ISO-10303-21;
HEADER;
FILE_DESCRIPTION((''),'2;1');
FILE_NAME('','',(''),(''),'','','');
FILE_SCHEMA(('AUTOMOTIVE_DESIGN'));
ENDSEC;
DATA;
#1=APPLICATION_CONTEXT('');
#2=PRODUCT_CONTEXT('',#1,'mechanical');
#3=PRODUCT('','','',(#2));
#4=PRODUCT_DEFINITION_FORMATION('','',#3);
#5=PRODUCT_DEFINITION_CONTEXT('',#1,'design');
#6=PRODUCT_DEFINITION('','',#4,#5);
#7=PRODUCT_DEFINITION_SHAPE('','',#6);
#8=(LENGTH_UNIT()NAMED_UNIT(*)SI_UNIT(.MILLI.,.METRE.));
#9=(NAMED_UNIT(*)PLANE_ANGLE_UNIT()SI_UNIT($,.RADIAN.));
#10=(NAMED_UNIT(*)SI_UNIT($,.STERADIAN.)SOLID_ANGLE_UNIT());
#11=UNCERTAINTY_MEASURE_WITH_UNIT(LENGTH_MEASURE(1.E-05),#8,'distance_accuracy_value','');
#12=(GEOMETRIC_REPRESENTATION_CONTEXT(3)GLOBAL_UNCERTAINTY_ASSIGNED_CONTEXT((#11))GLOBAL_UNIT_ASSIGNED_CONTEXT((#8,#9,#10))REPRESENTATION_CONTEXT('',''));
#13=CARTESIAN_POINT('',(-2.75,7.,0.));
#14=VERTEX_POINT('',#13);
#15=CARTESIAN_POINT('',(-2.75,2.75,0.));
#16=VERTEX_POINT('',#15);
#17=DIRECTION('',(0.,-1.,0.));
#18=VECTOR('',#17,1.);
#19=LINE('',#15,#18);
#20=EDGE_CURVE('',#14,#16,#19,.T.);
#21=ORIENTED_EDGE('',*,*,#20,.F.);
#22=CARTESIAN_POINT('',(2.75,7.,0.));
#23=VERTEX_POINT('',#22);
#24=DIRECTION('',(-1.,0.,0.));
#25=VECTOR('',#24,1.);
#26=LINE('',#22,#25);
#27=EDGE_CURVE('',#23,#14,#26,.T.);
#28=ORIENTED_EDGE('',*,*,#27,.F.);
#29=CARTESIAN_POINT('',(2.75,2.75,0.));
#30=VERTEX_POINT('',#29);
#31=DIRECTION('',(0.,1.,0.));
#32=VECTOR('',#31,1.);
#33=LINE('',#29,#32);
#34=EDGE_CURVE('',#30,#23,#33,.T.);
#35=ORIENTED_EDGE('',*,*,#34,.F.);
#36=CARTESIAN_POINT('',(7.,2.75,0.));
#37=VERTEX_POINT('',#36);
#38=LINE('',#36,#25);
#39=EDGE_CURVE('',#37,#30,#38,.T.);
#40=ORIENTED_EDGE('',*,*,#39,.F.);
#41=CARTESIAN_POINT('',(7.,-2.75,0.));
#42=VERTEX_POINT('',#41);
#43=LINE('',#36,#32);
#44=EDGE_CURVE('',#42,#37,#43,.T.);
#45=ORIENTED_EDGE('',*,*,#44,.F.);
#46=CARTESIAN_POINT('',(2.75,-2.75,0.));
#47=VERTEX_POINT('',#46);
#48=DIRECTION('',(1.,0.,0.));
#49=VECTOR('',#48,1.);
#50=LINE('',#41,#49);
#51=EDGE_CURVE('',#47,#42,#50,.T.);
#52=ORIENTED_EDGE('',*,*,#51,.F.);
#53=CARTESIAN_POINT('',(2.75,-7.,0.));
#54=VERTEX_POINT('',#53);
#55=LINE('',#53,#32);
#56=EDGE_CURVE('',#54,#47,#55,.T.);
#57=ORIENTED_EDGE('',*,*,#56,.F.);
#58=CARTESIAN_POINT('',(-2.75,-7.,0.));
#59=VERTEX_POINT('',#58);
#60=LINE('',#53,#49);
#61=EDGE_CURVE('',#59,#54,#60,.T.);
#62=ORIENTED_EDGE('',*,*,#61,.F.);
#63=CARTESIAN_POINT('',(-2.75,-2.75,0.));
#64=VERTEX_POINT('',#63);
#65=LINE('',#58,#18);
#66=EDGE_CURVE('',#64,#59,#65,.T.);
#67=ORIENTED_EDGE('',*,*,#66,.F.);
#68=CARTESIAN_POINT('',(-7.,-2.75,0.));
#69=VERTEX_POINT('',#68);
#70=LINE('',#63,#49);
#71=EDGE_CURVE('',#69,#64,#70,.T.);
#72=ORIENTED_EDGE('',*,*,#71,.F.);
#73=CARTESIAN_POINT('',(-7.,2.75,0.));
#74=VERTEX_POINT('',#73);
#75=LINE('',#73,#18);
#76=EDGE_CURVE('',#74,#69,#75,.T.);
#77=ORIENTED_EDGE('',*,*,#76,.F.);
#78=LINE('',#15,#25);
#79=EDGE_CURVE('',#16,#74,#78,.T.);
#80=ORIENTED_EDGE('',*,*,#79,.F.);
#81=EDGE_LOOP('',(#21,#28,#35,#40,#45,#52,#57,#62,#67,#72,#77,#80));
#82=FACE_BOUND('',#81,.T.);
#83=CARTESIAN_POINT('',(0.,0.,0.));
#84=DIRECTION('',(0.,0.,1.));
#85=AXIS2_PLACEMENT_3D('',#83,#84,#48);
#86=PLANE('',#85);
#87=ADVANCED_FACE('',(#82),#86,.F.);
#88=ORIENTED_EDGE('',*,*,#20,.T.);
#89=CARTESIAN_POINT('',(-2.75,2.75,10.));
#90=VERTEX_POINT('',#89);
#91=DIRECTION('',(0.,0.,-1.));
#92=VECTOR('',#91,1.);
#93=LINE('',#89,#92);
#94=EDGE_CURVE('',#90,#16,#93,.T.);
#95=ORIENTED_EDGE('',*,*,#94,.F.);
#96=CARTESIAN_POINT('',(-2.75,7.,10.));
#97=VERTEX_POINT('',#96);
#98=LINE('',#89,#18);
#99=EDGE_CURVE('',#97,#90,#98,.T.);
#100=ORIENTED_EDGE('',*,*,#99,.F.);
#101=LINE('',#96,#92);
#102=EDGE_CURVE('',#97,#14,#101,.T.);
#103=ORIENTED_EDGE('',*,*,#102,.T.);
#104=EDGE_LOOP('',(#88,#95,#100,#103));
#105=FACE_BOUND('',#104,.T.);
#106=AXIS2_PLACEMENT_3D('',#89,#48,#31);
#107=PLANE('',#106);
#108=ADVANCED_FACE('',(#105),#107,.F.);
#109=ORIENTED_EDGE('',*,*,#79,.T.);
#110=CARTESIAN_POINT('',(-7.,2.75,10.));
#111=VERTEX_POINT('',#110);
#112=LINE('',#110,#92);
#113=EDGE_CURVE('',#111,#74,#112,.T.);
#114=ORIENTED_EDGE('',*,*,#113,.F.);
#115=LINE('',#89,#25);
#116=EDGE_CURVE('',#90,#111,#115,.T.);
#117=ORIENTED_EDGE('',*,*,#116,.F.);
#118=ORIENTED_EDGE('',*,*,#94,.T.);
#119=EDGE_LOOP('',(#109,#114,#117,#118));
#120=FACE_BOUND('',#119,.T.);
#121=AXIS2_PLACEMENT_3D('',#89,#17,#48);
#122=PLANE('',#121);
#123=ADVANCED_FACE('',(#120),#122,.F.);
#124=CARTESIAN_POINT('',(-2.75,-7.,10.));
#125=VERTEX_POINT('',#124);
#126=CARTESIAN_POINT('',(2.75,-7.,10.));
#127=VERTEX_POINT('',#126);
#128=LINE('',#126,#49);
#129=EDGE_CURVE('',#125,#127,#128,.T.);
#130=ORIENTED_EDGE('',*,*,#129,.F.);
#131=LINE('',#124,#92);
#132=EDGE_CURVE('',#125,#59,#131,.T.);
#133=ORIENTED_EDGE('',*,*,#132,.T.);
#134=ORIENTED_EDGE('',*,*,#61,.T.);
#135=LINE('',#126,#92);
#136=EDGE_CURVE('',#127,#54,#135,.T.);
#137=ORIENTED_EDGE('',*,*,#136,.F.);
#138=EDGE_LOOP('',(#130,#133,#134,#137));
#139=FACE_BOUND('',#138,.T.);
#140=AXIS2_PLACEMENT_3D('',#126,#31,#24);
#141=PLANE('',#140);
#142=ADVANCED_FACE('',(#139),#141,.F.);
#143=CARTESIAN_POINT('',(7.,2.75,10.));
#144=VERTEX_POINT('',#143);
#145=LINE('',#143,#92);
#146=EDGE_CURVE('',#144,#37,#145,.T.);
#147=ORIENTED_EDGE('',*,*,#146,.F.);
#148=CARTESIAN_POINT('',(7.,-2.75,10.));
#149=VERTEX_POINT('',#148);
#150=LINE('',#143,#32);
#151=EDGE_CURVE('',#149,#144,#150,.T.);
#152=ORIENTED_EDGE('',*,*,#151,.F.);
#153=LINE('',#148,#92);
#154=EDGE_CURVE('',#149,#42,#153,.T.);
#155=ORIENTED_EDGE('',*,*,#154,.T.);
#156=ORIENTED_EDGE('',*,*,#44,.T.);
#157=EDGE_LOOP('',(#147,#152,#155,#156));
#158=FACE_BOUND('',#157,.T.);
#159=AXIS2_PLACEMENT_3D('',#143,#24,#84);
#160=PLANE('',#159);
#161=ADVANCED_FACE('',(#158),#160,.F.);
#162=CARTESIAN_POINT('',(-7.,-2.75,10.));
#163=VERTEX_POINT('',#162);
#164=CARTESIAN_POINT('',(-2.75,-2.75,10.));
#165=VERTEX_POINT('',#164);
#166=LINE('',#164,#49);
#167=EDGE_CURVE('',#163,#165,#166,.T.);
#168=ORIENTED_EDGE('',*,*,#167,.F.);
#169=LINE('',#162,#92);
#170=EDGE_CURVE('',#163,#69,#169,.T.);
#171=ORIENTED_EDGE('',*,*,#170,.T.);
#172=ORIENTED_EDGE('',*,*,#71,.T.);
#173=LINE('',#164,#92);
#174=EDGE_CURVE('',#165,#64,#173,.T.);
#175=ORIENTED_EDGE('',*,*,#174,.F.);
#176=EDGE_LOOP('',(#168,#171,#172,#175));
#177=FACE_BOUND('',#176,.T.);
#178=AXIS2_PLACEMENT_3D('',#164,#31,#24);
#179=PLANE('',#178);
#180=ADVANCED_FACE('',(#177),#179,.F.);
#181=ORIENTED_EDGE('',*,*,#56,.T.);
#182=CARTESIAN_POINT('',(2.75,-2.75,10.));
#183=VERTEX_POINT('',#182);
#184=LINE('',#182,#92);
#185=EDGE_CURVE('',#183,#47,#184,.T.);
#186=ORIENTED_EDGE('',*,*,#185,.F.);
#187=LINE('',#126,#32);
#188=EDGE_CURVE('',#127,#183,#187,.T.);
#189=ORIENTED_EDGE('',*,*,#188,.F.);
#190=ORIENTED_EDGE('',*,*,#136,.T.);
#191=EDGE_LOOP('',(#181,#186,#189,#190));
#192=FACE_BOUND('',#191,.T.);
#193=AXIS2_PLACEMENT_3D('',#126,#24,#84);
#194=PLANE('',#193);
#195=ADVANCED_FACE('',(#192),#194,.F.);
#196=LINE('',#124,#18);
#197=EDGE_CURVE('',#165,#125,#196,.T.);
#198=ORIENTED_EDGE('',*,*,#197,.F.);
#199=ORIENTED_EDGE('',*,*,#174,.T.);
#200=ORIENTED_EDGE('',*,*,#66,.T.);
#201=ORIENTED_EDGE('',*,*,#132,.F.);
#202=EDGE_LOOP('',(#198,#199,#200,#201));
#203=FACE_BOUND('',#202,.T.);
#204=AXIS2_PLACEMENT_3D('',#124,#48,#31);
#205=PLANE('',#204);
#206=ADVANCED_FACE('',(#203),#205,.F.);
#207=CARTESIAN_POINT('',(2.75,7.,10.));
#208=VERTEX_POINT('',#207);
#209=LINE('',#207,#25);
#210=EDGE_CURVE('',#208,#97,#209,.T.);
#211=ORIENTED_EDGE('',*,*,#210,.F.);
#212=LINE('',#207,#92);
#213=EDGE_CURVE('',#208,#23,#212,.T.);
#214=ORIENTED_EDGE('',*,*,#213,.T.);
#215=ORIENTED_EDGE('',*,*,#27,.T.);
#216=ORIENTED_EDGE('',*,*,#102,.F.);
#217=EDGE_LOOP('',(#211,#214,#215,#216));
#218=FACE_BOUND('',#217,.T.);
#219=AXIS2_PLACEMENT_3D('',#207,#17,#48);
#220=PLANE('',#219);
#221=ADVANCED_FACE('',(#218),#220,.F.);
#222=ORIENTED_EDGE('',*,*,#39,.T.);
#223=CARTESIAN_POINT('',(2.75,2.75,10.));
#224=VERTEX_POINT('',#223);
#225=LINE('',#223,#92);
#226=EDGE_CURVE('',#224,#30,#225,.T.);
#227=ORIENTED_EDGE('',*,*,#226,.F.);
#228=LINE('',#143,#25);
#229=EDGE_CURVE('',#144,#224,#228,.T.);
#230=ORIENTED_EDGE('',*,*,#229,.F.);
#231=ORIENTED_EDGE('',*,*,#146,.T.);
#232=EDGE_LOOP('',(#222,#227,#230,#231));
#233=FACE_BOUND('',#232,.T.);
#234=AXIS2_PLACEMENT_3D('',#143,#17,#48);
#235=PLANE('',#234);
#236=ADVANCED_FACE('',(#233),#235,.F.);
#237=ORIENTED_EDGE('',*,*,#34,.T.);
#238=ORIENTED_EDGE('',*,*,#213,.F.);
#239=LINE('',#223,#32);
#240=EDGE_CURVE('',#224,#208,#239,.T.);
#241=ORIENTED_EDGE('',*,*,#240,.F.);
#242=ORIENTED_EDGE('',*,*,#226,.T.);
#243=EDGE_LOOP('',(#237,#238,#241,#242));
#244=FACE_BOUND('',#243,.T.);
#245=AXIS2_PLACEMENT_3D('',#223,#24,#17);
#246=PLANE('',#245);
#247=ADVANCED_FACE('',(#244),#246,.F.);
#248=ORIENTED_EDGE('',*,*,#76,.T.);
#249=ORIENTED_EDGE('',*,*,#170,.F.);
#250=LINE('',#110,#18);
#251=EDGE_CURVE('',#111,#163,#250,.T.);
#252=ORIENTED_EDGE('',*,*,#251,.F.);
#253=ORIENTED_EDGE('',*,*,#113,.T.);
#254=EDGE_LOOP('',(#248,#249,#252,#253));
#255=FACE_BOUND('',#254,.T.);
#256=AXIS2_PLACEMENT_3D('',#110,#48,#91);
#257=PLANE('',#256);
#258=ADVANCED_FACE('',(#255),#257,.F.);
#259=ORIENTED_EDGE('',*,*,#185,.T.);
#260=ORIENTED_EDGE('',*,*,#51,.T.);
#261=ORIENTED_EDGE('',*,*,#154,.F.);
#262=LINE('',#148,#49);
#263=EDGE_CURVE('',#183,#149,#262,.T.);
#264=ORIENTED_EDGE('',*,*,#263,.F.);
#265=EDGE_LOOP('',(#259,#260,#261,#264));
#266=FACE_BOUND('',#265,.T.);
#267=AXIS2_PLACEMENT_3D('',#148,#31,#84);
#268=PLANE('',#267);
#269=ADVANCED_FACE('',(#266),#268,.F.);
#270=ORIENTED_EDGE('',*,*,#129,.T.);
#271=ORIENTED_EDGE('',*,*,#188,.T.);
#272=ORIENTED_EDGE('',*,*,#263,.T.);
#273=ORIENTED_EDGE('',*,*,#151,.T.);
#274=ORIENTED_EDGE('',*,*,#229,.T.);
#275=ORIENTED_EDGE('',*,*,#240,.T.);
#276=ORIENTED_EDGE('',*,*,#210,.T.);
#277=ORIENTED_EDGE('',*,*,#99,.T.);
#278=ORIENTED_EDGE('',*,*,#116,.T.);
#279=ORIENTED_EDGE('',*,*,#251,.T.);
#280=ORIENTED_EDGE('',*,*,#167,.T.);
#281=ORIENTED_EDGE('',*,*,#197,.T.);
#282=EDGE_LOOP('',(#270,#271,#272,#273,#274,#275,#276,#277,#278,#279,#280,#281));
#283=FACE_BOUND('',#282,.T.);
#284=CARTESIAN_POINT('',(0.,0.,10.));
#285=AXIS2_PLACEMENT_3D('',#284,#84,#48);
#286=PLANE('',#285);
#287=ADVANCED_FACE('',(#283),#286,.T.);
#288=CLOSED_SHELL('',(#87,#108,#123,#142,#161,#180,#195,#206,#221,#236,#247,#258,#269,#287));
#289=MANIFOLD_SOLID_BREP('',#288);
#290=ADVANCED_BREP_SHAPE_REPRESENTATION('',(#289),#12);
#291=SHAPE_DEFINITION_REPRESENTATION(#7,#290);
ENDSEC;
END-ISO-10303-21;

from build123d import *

# Parameters (mm, degrees)
BOSS_EXTRUDE1_DEPTH = 10


with BuildPart() as part:
    # Sketch1 → Boss-Extrude1 (new body)
    with BuildSketch(Plane.XY):
        Polygon((-2.75, 2.75), (-2.75, 7), (2.75, 7), (2.75, 2.75), (7, 2.75), (7, -2.75), (2.75, -2.75), (2.75, -7), (-2.75, -7), (-2.75, -2.75), (-7, -2.75), (-7, 2.75), align=None)
    extrude(amount=BOSS_EXTRUDE1_DEPTH)


solid = part.part
